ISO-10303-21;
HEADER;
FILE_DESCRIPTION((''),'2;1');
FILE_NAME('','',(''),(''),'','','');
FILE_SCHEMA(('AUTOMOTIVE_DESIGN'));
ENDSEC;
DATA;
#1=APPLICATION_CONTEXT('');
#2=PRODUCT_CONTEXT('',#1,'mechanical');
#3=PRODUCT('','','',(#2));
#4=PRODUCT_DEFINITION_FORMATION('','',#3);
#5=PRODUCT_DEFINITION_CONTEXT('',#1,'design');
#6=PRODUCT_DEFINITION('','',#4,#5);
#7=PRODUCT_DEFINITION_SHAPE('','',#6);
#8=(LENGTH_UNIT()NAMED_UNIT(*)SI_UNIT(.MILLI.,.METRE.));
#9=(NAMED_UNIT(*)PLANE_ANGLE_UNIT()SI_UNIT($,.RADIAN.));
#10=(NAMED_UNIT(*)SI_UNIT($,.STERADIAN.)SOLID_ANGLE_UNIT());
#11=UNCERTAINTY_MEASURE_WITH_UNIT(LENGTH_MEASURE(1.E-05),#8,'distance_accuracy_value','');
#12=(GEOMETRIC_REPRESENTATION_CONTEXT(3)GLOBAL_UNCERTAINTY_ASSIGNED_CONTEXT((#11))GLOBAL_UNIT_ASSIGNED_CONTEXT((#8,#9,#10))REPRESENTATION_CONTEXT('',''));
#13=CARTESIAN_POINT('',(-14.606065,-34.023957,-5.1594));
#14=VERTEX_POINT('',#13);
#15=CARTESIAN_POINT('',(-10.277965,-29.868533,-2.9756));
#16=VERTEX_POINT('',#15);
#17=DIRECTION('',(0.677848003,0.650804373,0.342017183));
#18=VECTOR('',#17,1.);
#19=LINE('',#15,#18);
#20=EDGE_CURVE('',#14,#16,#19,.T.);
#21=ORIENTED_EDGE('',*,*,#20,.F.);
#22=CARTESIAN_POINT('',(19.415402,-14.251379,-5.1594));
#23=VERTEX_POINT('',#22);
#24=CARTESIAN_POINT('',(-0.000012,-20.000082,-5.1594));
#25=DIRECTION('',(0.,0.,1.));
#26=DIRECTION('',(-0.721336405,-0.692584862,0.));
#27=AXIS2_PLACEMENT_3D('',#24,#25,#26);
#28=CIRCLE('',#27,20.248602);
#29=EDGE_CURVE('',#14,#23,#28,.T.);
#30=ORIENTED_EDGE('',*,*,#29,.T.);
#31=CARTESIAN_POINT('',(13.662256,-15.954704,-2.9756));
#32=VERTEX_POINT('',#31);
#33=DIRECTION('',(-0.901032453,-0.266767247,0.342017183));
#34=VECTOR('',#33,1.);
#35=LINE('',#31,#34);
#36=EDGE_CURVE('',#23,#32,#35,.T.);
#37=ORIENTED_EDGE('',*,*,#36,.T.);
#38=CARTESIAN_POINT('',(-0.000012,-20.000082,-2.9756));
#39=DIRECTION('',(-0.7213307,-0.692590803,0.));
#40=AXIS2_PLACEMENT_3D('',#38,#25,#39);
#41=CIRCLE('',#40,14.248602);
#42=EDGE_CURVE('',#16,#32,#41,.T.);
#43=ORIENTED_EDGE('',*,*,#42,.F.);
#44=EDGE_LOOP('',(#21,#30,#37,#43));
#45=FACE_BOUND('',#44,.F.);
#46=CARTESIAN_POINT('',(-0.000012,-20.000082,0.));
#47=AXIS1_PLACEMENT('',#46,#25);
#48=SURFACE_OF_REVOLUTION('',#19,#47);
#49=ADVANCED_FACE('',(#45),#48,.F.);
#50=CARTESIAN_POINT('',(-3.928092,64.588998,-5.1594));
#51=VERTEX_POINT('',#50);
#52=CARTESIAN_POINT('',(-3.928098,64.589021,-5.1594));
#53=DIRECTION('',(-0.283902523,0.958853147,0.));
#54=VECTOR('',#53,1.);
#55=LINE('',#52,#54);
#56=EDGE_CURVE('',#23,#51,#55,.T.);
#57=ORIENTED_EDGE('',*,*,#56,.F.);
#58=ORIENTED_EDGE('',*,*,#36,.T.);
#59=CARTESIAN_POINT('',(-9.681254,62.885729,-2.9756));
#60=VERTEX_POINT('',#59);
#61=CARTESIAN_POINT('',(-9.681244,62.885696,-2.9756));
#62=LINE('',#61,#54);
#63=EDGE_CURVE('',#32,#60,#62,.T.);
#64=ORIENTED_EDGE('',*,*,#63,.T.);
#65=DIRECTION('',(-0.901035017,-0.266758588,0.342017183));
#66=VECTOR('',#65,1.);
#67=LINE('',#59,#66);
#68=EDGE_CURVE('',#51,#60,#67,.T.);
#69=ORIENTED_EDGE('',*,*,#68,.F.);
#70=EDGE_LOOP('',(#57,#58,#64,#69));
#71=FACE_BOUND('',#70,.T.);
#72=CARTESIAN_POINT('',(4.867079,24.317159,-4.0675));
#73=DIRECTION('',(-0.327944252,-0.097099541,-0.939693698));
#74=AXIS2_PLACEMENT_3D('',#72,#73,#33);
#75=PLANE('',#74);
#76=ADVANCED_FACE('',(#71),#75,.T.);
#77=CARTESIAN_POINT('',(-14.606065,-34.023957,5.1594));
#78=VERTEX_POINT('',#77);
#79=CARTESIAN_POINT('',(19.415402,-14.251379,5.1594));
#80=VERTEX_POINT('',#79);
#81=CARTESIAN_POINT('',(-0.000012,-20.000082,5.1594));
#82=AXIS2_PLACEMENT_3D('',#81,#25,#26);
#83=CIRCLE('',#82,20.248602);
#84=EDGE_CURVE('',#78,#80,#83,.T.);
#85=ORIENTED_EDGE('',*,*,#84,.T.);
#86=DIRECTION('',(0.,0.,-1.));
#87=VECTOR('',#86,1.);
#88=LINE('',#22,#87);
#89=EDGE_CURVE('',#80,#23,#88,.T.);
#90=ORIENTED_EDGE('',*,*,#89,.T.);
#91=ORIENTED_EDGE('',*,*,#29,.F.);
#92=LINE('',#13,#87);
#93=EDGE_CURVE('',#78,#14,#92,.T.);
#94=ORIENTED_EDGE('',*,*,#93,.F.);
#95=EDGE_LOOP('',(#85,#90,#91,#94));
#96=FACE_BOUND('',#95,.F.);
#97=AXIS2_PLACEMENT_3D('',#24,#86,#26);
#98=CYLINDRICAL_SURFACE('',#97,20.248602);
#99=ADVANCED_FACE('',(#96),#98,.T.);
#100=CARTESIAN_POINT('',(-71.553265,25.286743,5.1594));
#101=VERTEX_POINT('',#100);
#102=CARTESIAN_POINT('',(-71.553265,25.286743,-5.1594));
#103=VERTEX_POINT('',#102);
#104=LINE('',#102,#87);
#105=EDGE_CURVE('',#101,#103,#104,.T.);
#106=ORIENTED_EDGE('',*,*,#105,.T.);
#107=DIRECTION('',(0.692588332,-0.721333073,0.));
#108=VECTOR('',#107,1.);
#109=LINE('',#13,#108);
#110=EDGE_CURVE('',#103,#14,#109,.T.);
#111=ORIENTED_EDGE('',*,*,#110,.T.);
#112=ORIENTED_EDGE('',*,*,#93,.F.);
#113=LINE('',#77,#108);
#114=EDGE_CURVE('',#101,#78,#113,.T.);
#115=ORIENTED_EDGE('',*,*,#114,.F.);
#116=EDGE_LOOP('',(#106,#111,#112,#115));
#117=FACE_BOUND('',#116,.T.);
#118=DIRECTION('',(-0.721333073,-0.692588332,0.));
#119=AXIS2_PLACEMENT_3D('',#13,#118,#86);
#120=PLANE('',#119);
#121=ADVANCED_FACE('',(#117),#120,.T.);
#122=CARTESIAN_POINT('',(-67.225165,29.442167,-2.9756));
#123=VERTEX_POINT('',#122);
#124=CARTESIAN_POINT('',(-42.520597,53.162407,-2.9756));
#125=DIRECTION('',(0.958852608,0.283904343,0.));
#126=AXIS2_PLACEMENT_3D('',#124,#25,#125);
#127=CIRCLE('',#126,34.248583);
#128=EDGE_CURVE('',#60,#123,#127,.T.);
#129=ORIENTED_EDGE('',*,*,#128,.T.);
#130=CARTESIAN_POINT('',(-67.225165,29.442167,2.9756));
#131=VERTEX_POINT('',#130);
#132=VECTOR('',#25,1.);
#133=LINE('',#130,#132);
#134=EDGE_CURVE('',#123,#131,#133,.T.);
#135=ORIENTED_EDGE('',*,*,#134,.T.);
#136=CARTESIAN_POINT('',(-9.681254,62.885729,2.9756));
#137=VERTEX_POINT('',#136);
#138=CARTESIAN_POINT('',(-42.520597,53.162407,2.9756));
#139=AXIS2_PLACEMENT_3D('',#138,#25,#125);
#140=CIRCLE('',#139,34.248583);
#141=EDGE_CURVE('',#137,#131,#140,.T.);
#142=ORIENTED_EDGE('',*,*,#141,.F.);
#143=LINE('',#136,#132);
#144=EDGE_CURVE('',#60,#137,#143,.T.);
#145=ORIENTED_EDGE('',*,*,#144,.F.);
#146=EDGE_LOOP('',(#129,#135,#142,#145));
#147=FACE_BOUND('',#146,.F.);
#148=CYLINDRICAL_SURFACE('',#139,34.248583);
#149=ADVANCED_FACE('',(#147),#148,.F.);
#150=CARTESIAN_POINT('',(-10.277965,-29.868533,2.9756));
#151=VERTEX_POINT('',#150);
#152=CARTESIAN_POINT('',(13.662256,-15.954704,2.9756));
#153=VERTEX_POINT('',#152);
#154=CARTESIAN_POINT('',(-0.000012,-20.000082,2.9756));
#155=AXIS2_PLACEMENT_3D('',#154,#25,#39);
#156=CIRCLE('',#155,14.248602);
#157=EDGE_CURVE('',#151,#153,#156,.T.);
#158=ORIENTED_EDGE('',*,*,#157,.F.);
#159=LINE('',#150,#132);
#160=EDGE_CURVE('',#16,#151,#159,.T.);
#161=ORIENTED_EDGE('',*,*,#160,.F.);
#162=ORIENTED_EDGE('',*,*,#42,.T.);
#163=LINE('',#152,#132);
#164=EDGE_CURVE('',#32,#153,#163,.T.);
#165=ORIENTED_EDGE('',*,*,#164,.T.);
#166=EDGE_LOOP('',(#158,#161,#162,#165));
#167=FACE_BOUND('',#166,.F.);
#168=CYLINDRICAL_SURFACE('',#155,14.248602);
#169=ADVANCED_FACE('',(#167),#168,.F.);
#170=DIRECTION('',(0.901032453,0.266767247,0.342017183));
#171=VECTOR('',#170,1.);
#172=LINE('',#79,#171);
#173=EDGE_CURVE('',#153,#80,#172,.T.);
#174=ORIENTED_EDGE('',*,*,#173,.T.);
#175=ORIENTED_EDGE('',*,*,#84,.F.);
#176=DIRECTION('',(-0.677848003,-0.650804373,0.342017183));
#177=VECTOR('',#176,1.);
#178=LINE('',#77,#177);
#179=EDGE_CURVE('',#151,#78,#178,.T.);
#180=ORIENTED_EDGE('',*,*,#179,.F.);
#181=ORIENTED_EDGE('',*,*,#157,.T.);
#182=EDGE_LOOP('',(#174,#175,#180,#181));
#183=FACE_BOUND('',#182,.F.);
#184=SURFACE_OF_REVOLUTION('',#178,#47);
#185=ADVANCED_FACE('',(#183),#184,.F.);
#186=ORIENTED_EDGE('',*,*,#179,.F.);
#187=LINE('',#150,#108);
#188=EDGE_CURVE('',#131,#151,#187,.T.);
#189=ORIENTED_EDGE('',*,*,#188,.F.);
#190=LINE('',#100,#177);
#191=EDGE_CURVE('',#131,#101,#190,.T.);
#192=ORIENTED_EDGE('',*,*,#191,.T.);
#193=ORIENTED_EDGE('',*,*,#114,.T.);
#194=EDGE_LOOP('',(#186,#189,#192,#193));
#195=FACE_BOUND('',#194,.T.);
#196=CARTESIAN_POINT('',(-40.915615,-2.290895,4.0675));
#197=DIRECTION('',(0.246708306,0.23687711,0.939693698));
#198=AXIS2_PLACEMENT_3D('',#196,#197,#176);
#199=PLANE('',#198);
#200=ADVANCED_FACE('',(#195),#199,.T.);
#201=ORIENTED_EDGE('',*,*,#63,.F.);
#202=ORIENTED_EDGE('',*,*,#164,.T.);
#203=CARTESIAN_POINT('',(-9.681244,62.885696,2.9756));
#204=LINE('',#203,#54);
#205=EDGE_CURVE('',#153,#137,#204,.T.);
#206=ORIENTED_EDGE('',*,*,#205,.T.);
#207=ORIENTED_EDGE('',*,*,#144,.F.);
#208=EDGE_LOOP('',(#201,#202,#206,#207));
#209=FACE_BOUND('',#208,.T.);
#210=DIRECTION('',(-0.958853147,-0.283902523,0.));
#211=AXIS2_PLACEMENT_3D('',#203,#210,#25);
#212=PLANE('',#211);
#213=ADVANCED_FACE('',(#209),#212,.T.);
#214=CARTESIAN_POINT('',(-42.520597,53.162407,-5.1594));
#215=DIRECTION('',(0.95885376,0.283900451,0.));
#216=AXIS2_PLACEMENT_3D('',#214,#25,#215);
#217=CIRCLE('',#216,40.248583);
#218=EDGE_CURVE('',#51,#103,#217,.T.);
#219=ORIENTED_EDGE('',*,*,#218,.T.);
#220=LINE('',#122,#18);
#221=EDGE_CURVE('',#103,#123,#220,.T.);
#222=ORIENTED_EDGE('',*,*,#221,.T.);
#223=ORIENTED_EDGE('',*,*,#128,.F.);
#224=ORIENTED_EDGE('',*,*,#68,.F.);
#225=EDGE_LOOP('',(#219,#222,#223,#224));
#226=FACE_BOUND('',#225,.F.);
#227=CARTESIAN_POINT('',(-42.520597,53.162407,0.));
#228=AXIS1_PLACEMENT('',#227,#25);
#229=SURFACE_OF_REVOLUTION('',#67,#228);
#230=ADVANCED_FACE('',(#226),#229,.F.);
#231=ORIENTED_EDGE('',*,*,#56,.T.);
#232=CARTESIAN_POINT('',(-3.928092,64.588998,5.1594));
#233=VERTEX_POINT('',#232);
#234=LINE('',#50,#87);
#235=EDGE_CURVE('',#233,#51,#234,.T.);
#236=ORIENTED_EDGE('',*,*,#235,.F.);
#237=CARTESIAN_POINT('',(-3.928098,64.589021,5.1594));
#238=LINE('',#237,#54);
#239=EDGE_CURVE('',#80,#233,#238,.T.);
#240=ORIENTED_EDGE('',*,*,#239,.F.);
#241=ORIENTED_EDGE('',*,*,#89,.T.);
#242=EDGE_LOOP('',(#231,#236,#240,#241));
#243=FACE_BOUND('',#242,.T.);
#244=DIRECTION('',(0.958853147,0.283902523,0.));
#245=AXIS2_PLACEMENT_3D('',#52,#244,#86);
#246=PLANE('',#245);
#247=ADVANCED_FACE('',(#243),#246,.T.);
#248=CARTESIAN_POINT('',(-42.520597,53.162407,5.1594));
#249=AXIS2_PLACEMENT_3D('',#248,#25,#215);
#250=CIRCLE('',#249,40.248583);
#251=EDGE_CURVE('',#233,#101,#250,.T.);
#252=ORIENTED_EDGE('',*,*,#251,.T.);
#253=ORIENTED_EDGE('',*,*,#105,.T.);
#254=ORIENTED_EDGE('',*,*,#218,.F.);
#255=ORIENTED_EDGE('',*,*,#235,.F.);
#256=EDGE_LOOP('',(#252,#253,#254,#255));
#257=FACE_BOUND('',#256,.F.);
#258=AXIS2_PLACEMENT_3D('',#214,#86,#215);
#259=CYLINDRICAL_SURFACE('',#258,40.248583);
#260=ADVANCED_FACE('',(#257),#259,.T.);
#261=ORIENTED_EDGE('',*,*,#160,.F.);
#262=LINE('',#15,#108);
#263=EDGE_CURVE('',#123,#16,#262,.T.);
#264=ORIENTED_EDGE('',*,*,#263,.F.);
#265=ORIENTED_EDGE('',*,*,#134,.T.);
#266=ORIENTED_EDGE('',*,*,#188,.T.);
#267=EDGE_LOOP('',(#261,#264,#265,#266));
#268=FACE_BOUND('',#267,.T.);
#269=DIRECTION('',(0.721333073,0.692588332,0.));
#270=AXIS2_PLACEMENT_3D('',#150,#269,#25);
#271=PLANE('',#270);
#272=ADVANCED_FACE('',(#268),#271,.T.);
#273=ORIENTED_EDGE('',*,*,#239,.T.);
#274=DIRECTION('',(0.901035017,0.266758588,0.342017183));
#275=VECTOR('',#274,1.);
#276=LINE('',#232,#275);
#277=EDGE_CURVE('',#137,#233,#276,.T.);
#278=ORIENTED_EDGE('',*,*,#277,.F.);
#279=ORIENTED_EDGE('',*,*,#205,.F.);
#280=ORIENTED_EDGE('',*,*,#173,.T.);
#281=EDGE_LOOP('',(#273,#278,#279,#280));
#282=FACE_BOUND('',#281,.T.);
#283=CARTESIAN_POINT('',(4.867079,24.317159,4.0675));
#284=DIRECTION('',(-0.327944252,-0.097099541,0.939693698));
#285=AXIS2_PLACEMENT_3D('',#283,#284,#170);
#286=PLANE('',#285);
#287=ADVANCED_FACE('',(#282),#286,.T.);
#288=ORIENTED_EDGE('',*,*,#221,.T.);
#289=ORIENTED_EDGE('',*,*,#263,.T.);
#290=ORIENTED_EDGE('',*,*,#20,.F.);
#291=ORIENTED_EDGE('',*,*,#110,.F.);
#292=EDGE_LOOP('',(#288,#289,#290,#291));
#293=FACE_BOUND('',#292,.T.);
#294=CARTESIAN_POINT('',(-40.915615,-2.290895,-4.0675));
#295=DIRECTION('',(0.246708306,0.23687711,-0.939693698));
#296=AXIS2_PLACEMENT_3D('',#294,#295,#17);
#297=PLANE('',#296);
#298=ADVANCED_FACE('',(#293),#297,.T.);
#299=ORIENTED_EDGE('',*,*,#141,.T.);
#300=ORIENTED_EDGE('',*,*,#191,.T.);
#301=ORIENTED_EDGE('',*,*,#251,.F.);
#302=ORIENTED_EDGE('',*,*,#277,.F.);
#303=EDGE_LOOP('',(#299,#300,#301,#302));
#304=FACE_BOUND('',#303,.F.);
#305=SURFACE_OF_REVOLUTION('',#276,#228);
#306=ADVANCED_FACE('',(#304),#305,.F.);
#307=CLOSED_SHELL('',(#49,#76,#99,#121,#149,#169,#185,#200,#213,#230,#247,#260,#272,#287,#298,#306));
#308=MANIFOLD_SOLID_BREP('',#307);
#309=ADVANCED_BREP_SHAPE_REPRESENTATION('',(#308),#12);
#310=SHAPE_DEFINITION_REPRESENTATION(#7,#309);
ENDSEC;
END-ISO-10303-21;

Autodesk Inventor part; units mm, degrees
ref_plane "YZ Plane" through (0, 0, 0) normal (1, 0, 0) x (0, 1, 0)
ref_plane "XZ Plane" through (0, 0, 0) normal (0, 1, 0) x (-1, 0, 0)
sketch "Эскизная траектория" plane through (0, 0, 0) normal (0, 0, 1) x (1, 0, 0)
  arc A0 (-12.8037, -32.2935) -> (17.0196, -14.9607) centre (0, -20) ccw
  arc A1 (-6.3239, 63.8797) -> (-69.7509, 27.0172) centre (-42.5206, 53.1624) ccw
  line L0 (-6.3239, 63.8797) -> (17.0196, -14.9607)
  line L1 (-12.8037, -32.2935) -> (-69.7509, 27.0172)
ref_plane "Плоскость сечения" through (17.0196, -14.9607, 0) normal (-0.2839, 0.9589, 0) x (0, 0, 1)
sketch "Сечение" plane through (17.0196, -14.9607, 0) normal (-0.2839, 0.9589, 0) x (0, 0, 1)
  line L0 (0, 2.4986) -> (0, -3.5014) construction
  line L1 (-4.25, 0) -> (4.25, 0) construction
  line L2 (-5.1594, 2.4986) -> (5.1594, 2.4986)
  line L3 (5.1594, 2.4986) -> (2.9756, -3.5014)
  line L4 (2.9756, -3.5014) -> (-2.9756, -3.5014)
  line L5 (-2.9756, -3.5014) -> (-5.1594, 2.4986)
  point P0 (0, 0)
  point P1 (0, 0)
  point P2 (0, 0)
  dimension "d0" = 8.5
  dimension "d1" = 2.4986
  dimension "d2" = 40
  dimension "d3" = 6
sweep "Ремень" add profiles "Сечение" path "Эскизная траектория"
equation "\"d0\" = da_Bw"
equation "\"d1\" = da_Hw"
equation "\"d2\" = da_Alfa"
equation "\"d3\" = da_H"
equation "\"da_Alfa\" = 40deg"
equation "\"da_H\" = 6"
equation "\"da_Bw\" = 8.5"
equation "\"da_Hw\" = 2.49859"
properties part number "Клиновой ремень" material "Rubber"
